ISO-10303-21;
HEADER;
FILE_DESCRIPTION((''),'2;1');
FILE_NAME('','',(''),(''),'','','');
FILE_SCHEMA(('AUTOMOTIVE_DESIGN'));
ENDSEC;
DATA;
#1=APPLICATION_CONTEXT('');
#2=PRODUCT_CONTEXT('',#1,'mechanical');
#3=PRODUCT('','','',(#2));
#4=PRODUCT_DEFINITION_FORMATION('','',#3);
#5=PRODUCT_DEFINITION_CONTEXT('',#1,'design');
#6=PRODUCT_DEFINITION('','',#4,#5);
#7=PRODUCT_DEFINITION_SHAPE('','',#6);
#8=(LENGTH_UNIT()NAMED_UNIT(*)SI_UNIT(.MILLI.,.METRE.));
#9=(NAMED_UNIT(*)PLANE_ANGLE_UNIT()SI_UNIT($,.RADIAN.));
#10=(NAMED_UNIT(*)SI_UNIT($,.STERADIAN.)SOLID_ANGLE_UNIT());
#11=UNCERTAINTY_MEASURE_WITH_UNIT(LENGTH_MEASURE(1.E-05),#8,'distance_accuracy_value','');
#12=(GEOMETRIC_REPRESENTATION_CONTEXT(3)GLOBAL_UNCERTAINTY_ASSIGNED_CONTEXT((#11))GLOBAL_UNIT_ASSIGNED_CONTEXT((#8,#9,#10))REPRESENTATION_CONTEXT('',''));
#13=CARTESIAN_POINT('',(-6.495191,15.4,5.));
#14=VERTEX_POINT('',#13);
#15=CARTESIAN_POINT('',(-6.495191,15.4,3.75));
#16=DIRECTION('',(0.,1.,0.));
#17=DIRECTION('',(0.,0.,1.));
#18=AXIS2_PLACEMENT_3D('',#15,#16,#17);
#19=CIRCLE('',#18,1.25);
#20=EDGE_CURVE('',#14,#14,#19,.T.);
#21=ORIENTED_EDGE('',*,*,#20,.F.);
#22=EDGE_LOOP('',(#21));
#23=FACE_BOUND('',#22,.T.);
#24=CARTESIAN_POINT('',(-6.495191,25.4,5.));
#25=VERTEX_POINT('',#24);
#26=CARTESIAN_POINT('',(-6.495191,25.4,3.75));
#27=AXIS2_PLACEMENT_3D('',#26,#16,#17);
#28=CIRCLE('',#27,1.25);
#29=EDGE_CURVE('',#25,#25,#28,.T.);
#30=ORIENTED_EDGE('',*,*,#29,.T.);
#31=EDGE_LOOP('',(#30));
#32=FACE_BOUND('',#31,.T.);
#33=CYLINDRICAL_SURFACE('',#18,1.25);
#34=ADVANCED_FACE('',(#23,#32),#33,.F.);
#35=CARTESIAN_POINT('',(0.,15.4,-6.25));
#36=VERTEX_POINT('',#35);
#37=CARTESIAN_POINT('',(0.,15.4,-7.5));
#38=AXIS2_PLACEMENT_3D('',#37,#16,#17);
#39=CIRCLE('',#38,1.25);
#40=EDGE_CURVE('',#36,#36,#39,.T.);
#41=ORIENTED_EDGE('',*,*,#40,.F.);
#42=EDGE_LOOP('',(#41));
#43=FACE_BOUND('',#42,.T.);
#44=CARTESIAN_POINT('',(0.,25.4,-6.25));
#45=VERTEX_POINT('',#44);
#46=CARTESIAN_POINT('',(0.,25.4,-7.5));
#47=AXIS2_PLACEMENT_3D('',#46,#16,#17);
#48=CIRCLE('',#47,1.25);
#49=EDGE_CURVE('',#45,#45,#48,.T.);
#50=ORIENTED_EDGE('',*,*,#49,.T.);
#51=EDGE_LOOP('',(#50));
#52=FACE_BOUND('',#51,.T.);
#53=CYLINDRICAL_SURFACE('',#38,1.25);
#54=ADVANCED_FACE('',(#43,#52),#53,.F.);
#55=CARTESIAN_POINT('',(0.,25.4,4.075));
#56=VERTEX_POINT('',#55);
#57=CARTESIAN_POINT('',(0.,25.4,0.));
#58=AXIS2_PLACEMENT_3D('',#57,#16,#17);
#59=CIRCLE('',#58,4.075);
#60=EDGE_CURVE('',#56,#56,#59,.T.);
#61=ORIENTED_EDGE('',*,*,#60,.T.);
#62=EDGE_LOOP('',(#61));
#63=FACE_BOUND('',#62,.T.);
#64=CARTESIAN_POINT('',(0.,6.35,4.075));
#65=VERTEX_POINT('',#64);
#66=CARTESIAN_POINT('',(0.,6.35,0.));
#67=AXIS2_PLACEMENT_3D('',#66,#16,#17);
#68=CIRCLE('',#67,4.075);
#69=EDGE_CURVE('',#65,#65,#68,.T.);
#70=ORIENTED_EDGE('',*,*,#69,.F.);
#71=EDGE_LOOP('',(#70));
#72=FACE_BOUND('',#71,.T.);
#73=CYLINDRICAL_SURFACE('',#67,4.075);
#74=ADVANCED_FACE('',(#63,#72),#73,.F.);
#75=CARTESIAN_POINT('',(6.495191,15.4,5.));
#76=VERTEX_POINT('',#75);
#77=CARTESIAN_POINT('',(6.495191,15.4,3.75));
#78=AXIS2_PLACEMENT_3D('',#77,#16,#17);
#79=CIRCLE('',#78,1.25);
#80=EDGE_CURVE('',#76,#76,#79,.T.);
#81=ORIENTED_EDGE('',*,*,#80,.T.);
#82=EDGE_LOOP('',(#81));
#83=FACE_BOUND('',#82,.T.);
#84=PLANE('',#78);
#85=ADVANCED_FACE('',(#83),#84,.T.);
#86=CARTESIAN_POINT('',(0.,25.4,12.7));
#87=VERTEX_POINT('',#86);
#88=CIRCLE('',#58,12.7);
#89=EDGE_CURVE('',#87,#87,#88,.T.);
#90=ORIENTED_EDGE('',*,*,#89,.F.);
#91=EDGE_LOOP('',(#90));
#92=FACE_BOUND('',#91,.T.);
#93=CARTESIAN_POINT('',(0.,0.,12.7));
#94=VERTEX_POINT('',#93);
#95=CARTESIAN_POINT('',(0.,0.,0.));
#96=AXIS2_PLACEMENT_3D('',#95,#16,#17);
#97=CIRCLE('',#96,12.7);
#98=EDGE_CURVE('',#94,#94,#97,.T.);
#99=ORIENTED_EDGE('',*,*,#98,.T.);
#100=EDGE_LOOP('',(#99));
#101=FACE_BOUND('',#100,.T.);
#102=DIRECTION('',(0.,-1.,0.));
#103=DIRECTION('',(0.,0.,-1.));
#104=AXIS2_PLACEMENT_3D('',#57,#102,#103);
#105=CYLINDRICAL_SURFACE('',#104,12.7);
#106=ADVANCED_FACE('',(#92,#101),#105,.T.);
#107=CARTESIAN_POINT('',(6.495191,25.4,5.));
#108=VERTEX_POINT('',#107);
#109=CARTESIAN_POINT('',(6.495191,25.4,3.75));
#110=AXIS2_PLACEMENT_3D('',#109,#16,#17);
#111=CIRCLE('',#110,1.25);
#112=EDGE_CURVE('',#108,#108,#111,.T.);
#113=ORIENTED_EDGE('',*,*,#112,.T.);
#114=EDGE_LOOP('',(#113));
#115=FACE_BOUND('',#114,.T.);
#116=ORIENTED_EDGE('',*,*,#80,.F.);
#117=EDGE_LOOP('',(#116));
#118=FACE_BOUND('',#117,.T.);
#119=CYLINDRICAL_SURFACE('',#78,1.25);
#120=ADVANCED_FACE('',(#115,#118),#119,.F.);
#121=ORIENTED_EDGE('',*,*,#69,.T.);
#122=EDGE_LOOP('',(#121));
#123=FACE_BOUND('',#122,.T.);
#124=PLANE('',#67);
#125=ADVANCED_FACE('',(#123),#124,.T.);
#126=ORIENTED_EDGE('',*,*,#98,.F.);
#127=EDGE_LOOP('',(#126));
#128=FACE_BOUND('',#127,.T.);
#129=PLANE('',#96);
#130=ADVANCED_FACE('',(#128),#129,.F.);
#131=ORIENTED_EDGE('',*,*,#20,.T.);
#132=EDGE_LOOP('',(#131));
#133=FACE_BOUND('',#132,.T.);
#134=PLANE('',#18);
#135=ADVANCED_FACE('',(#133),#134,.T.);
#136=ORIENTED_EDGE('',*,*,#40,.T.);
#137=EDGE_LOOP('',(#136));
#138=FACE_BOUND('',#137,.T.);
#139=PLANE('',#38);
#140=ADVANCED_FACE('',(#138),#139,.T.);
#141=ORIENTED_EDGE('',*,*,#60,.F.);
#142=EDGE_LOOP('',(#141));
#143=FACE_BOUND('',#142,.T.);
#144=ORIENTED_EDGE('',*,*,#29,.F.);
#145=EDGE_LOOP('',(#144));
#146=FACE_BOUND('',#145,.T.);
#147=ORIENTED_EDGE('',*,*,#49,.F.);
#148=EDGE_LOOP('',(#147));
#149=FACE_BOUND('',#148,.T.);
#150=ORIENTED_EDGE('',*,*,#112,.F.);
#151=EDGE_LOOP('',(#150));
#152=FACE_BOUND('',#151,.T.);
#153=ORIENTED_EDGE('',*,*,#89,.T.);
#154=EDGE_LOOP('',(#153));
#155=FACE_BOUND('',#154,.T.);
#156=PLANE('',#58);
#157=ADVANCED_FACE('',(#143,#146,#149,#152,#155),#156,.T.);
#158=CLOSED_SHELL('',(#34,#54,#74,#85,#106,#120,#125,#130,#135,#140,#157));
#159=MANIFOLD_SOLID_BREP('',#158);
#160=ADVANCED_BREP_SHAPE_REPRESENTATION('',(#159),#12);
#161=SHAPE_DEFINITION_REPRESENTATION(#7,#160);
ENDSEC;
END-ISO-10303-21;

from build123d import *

# Parameters (mm, degrees)
SKETCH1_R           = 12.7
BOSS_EXTRUDE1_DEPTH = 25.4
SKETCH2_R           = 4.075
CUT_EXTRUDE1_DEPTH  = 19.05
SKETCH3_R           = 1.25
CUT_EXTRUDE2_DEPTH  = 10


with BuildPart() as part:
    # Sketch1 → Boss-Extrude1 (new body)
    with BuildSketch(Plane(origin=(0, 0, 0), x_dir=(1, 0, 0), z_dir=(0, 1, 0))):
        Circle(SKETCH1_R)
    extrude(amount=BOSS_EXTRUDE1_DEPTH)

    # Sketch2 → Cut-Extrude1 (cut)
    with BuildSketch(Plane(origin=(0, 25.4, 0), x_dir=(1, 0, 0), z_dir=(0, 1, 0))):
        Circle(SKETCH2_R)
    extrude(amount=-CUT_EXTRUDE1_DEPTH, mode=Mode.SUBTRACT)

    # Sketch3 → Cut-Extrude2 (cut)
    with BuildSketch(Plane(origin=(0, 25.4, 0), x_dir=(1, 0, 0), z_dir=(0, 1, 0))):
        with Locations((0, 7.5)):
            Circle(SKETCH3_R)
        with Locations((6.495190528, -3.75)):
            Circle(SKETCH3_R)
        with Locations((-6.495190528, -3.75)):
            Circle(SKETCH3_R)
    extrude(amount=-CUT_EXTRUDE2_DEPTH, mode=Mode.SUBTRACT)


solid = part.part
